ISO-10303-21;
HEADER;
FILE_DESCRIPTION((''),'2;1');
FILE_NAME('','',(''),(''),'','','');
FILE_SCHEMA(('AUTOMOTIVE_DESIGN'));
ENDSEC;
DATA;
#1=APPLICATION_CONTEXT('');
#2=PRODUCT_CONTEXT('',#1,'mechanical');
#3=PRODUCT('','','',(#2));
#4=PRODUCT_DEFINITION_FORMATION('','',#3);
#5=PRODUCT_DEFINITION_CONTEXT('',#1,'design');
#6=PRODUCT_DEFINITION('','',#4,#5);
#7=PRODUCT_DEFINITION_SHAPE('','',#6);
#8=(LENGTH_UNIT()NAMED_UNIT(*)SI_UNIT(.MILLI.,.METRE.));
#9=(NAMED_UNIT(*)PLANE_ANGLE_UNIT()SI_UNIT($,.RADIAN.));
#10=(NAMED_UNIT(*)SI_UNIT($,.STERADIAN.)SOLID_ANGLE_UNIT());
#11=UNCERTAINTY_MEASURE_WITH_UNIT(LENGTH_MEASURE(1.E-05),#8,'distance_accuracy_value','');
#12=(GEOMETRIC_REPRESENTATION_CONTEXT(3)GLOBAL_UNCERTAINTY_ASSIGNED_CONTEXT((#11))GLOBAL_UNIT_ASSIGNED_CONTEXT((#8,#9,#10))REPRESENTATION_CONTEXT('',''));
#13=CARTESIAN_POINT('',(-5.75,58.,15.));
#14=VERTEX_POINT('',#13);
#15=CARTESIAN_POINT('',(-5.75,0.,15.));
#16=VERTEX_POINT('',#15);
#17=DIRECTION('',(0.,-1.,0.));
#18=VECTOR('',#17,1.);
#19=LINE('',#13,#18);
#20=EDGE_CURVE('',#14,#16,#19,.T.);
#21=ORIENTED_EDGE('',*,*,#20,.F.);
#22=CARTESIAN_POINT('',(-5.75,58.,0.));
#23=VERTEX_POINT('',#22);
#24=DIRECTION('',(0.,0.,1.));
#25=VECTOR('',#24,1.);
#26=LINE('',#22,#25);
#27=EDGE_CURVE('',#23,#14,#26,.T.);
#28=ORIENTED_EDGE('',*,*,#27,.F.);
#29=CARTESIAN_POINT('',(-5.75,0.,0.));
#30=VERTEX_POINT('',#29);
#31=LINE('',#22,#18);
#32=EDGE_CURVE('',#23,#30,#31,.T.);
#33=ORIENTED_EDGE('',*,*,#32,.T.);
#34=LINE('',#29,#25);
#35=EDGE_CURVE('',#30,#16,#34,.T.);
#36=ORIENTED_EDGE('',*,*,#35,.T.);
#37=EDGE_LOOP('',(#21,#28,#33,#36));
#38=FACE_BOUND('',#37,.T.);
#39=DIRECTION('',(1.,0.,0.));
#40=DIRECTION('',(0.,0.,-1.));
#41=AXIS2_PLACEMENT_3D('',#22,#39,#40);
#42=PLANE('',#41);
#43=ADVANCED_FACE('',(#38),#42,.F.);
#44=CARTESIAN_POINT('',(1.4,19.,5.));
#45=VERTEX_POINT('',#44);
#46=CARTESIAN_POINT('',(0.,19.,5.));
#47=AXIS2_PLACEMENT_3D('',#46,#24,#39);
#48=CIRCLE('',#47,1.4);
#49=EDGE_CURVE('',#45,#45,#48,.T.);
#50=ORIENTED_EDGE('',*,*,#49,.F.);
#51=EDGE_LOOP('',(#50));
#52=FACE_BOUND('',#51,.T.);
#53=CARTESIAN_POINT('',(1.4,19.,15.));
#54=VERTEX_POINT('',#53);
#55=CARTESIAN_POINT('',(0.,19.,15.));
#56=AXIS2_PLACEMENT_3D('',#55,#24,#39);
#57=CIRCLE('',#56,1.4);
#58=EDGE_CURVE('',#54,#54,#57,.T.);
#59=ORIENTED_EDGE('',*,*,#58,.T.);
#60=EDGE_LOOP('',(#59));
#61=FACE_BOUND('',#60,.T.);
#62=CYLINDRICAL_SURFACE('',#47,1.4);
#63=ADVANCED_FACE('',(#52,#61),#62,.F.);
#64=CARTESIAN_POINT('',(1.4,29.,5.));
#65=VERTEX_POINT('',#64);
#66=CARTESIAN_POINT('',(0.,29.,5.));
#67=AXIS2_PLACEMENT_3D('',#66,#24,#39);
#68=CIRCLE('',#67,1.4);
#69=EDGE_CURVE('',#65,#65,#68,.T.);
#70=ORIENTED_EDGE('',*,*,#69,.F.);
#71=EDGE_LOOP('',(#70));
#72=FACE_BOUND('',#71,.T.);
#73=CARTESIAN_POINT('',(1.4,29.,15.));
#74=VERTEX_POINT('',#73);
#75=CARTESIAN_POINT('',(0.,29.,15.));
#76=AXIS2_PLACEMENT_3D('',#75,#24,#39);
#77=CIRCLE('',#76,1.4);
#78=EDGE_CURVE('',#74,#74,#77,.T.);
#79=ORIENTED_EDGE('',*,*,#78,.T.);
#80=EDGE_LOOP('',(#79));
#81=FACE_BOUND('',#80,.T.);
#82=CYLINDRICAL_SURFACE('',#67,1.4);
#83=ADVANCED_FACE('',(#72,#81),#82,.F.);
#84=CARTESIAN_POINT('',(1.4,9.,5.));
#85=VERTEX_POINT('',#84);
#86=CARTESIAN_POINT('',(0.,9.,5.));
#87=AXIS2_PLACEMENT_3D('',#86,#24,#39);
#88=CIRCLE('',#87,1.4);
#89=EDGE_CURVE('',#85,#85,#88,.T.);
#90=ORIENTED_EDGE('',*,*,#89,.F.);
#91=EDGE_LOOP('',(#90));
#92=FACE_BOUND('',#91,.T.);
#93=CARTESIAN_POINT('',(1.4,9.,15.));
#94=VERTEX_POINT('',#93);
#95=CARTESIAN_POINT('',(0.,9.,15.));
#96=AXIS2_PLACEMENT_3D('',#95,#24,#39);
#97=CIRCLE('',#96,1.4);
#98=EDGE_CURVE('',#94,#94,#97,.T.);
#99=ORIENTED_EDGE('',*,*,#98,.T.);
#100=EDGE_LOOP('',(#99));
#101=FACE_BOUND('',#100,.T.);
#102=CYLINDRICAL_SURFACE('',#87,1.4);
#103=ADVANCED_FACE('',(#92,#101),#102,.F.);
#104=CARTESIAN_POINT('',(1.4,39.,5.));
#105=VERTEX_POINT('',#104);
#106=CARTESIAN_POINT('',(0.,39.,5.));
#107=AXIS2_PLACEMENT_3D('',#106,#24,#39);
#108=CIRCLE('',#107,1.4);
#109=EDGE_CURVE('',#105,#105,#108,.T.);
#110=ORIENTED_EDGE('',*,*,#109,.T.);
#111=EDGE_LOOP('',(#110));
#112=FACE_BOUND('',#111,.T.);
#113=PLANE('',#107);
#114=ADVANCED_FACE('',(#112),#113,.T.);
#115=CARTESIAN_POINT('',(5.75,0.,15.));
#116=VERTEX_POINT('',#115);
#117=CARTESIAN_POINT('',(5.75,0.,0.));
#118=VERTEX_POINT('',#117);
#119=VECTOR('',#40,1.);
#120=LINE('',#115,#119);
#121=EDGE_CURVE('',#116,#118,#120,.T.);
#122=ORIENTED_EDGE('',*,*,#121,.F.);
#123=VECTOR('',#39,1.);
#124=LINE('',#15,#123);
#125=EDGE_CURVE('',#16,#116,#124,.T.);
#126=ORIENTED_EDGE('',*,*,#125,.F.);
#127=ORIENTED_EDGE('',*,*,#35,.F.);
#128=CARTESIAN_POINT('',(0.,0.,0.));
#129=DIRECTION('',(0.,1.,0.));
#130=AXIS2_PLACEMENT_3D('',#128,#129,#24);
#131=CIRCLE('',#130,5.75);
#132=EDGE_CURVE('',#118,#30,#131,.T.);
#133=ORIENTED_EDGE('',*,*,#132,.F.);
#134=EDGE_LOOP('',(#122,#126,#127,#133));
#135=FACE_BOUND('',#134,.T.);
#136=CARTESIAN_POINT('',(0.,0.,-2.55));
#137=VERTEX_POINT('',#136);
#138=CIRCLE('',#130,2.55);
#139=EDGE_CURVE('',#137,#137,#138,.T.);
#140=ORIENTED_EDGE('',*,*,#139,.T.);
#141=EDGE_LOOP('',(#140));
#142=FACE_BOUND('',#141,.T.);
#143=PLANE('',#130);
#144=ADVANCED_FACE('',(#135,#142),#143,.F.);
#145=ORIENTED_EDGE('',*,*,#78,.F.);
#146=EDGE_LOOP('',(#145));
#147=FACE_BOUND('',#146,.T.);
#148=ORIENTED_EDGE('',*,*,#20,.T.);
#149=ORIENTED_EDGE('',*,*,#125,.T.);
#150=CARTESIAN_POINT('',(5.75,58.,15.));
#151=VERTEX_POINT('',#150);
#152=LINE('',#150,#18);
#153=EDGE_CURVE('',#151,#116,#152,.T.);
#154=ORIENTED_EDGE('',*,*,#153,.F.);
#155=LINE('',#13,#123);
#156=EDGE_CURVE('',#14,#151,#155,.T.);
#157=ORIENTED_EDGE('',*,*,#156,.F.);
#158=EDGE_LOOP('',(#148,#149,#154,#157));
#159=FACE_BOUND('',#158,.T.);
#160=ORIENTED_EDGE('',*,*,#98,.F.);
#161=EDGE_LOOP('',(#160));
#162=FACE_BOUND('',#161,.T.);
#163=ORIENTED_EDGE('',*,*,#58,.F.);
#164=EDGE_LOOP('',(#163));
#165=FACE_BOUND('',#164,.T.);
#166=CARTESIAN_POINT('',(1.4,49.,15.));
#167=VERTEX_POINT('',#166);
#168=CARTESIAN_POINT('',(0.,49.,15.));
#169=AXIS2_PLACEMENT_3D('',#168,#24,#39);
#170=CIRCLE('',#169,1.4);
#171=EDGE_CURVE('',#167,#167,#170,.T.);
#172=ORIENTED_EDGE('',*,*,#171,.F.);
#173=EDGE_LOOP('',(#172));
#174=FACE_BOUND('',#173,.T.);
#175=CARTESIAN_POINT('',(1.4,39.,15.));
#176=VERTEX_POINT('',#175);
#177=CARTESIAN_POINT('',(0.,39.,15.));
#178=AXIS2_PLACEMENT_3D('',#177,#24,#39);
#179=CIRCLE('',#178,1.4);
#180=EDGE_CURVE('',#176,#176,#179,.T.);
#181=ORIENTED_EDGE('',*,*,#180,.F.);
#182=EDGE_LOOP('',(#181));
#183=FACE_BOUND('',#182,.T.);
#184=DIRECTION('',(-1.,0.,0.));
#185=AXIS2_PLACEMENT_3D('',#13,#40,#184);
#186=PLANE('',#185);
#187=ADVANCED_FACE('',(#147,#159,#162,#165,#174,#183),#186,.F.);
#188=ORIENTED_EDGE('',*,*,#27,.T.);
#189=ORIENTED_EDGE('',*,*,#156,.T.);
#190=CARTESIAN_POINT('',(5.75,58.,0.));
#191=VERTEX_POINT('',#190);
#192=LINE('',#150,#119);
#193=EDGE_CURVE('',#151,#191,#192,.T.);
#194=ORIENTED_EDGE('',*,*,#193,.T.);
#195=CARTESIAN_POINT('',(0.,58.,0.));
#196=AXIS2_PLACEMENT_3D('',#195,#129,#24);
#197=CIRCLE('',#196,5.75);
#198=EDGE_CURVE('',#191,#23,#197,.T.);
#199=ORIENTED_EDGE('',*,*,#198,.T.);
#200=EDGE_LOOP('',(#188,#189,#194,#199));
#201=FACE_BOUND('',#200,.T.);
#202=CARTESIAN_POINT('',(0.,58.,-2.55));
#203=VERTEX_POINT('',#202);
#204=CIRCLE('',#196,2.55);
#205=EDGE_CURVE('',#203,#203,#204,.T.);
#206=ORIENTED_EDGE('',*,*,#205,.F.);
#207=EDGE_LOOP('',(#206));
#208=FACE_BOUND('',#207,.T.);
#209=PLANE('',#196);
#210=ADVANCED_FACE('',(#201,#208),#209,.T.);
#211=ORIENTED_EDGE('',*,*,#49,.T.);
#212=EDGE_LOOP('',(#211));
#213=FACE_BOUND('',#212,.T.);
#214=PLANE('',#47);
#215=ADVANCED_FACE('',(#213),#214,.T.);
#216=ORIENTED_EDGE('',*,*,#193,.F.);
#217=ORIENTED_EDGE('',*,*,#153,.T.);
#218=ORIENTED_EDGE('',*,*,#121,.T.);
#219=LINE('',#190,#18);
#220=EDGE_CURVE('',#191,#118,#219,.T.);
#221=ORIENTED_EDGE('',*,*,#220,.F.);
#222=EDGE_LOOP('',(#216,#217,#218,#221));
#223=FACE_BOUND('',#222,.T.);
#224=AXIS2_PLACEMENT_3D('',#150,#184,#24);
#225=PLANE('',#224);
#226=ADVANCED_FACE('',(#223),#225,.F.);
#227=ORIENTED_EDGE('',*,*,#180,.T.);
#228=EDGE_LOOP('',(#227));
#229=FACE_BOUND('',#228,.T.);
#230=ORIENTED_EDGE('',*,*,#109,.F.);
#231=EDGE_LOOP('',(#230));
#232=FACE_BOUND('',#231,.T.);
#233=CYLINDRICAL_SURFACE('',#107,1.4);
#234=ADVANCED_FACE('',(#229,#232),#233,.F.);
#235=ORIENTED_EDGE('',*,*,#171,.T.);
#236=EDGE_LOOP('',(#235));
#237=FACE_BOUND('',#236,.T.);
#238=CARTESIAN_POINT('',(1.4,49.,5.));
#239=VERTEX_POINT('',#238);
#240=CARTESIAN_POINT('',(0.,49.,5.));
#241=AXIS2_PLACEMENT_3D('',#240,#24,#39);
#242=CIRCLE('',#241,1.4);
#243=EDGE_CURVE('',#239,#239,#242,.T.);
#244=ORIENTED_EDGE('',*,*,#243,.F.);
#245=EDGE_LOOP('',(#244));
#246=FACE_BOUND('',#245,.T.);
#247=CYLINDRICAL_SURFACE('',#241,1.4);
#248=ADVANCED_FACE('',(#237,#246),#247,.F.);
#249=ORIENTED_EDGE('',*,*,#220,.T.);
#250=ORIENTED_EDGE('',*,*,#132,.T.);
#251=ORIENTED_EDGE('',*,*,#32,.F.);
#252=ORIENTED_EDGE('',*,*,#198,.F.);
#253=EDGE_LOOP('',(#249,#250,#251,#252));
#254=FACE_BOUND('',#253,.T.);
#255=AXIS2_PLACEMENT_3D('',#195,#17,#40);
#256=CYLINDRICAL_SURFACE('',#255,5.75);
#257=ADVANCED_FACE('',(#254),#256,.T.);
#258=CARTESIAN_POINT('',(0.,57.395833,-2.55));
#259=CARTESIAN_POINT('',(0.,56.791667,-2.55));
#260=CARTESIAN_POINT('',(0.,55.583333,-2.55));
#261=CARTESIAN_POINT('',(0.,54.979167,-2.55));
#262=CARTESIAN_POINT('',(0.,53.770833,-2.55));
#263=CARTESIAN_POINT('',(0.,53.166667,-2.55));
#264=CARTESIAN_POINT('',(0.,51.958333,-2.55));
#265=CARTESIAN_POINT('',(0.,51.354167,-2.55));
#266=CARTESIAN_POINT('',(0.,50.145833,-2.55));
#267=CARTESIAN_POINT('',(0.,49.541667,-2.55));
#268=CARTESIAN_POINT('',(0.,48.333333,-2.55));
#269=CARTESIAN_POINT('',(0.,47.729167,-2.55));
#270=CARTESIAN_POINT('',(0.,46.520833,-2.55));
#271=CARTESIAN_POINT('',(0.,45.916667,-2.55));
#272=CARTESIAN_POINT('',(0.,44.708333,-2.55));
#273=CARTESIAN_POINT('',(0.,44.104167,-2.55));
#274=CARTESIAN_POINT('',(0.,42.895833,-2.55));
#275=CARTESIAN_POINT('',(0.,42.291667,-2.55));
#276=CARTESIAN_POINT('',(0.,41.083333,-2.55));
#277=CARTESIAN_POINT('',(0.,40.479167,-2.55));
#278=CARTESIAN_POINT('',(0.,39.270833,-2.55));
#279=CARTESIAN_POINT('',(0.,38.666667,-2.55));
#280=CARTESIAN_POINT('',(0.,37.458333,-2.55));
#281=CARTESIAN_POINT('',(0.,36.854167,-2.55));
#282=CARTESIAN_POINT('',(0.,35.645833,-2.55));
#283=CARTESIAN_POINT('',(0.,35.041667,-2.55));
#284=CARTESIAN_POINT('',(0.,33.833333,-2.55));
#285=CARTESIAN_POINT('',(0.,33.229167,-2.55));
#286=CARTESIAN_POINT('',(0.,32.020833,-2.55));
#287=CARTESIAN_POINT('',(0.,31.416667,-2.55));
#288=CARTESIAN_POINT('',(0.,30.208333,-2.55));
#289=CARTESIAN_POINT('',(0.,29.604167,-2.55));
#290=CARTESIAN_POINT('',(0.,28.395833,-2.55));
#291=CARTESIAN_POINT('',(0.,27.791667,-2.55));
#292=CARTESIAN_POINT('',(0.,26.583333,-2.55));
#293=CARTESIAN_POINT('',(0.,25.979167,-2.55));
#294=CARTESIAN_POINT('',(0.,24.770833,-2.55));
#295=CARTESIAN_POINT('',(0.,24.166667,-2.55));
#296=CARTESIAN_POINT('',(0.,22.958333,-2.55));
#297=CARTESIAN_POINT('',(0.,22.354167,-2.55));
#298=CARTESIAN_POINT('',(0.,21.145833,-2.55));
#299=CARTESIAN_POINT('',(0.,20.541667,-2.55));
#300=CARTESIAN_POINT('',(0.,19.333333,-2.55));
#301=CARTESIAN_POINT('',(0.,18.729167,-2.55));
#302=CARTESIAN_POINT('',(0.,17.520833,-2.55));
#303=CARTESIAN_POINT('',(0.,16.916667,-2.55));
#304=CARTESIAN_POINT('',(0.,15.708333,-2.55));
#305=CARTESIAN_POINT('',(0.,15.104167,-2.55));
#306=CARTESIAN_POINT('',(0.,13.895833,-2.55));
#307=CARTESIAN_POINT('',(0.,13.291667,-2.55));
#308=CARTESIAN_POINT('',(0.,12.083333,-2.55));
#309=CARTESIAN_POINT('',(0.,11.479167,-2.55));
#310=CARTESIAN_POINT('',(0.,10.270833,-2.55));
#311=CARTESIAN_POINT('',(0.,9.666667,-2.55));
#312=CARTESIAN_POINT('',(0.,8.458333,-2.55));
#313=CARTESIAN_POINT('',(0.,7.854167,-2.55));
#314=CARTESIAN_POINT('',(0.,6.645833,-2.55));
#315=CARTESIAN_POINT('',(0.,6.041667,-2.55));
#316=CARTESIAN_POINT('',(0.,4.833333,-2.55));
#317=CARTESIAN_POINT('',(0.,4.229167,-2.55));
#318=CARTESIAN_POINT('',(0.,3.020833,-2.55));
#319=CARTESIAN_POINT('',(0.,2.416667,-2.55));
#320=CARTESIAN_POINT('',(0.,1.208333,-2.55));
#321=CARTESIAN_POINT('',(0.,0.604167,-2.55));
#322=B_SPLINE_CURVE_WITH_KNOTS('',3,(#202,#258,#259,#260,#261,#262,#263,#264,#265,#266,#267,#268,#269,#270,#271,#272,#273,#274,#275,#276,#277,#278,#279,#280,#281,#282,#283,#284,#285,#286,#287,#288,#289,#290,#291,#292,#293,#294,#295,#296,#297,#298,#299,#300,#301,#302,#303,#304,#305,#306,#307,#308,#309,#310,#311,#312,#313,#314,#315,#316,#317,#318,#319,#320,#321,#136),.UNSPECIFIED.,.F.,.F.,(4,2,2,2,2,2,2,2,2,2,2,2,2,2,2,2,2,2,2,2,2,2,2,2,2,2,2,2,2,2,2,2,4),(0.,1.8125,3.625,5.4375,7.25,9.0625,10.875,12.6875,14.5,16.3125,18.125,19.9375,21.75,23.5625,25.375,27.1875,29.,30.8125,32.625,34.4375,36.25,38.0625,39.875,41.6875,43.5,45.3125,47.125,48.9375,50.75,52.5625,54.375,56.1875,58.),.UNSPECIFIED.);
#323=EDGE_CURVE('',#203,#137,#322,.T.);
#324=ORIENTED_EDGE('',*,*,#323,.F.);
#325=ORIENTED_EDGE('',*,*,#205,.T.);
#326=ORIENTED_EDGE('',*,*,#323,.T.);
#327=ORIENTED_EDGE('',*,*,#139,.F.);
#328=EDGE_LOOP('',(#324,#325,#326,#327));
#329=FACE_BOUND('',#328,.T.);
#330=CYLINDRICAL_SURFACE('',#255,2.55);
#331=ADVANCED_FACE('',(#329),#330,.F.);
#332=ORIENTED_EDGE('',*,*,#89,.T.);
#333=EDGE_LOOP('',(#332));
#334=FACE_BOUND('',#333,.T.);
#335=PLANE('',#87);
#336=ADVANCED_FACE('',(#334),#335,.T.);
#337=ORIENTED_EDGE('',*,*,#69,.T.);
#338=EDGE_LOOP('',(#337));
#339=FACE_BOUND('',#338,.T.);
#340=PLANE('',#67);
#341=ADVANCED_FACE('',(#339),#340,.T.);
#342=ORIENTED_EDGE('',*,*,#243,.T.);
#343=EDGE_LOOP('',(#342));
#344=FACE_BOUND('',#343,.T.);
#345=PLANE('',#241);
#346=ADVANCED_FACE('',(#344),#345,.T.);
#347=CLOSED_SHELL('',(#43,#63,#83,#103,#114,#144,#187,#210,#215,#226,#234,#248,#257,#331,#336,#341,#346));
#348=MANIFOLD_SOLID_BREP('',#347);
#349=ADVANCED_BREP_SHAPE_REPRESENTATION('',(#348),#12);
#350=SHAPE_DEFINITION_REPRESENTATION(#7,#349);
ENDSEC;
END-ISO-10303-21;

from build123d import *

# Parameters (mm, degrees)
SKETCH1_R           = 2.55
BOSS_EXTRUDE1_DEPTH = 58
SKETCH2_R           = 1.4
CUT_EXTRUDE1_DEPTH  = 10


with BuildPart() as part:
    # Sketch1 → Boss-Extrude1 (new body)
    with BuildSketch(Plane(origin=(0, 0, 0), x_dir=(1, 0, 0), z_dir=(0, 1, 0))):
        with BuildLine():
            Line((-5.75, 0), (-5.75, -15))
            Line((-5.75, -15), (5.75, -15))
            Line((5.75, -15), (5.75, 0))
            ThreePointArc((5.75, 0), (0, 5.75), (-5.75, 0))
        make_face()
        with Locations(Location((0, 0, 0), (0, 0, 90))):
            Circle(SKETCH1_R, mode=Mode.SUBTRACT)
    extrude(amount=BOSS_EXTRUDE1_DEPTH)

    # Sketch2 → Cut-Extrude1 (cut)
    with BuildSketch(Plane.XY.offset(15)):
        with Locations((0, 49)):
            Circle(SKETCH2_R)
        with Locations((0, 39)):
            Circle(SKETCH2_R)
        with Locations((0, 29)):
            Circle(SKETCH2_R)
        with Locations((0, 19)):
            Circle(SKETCH2_R)
        with Locations((0, 9)):
            Circle(SKETCH2_R)
    extrude(amount=-CUT_EXTRUDE1_DEPTH, mode=Mode.SUBTRACT)


solid = part.part
